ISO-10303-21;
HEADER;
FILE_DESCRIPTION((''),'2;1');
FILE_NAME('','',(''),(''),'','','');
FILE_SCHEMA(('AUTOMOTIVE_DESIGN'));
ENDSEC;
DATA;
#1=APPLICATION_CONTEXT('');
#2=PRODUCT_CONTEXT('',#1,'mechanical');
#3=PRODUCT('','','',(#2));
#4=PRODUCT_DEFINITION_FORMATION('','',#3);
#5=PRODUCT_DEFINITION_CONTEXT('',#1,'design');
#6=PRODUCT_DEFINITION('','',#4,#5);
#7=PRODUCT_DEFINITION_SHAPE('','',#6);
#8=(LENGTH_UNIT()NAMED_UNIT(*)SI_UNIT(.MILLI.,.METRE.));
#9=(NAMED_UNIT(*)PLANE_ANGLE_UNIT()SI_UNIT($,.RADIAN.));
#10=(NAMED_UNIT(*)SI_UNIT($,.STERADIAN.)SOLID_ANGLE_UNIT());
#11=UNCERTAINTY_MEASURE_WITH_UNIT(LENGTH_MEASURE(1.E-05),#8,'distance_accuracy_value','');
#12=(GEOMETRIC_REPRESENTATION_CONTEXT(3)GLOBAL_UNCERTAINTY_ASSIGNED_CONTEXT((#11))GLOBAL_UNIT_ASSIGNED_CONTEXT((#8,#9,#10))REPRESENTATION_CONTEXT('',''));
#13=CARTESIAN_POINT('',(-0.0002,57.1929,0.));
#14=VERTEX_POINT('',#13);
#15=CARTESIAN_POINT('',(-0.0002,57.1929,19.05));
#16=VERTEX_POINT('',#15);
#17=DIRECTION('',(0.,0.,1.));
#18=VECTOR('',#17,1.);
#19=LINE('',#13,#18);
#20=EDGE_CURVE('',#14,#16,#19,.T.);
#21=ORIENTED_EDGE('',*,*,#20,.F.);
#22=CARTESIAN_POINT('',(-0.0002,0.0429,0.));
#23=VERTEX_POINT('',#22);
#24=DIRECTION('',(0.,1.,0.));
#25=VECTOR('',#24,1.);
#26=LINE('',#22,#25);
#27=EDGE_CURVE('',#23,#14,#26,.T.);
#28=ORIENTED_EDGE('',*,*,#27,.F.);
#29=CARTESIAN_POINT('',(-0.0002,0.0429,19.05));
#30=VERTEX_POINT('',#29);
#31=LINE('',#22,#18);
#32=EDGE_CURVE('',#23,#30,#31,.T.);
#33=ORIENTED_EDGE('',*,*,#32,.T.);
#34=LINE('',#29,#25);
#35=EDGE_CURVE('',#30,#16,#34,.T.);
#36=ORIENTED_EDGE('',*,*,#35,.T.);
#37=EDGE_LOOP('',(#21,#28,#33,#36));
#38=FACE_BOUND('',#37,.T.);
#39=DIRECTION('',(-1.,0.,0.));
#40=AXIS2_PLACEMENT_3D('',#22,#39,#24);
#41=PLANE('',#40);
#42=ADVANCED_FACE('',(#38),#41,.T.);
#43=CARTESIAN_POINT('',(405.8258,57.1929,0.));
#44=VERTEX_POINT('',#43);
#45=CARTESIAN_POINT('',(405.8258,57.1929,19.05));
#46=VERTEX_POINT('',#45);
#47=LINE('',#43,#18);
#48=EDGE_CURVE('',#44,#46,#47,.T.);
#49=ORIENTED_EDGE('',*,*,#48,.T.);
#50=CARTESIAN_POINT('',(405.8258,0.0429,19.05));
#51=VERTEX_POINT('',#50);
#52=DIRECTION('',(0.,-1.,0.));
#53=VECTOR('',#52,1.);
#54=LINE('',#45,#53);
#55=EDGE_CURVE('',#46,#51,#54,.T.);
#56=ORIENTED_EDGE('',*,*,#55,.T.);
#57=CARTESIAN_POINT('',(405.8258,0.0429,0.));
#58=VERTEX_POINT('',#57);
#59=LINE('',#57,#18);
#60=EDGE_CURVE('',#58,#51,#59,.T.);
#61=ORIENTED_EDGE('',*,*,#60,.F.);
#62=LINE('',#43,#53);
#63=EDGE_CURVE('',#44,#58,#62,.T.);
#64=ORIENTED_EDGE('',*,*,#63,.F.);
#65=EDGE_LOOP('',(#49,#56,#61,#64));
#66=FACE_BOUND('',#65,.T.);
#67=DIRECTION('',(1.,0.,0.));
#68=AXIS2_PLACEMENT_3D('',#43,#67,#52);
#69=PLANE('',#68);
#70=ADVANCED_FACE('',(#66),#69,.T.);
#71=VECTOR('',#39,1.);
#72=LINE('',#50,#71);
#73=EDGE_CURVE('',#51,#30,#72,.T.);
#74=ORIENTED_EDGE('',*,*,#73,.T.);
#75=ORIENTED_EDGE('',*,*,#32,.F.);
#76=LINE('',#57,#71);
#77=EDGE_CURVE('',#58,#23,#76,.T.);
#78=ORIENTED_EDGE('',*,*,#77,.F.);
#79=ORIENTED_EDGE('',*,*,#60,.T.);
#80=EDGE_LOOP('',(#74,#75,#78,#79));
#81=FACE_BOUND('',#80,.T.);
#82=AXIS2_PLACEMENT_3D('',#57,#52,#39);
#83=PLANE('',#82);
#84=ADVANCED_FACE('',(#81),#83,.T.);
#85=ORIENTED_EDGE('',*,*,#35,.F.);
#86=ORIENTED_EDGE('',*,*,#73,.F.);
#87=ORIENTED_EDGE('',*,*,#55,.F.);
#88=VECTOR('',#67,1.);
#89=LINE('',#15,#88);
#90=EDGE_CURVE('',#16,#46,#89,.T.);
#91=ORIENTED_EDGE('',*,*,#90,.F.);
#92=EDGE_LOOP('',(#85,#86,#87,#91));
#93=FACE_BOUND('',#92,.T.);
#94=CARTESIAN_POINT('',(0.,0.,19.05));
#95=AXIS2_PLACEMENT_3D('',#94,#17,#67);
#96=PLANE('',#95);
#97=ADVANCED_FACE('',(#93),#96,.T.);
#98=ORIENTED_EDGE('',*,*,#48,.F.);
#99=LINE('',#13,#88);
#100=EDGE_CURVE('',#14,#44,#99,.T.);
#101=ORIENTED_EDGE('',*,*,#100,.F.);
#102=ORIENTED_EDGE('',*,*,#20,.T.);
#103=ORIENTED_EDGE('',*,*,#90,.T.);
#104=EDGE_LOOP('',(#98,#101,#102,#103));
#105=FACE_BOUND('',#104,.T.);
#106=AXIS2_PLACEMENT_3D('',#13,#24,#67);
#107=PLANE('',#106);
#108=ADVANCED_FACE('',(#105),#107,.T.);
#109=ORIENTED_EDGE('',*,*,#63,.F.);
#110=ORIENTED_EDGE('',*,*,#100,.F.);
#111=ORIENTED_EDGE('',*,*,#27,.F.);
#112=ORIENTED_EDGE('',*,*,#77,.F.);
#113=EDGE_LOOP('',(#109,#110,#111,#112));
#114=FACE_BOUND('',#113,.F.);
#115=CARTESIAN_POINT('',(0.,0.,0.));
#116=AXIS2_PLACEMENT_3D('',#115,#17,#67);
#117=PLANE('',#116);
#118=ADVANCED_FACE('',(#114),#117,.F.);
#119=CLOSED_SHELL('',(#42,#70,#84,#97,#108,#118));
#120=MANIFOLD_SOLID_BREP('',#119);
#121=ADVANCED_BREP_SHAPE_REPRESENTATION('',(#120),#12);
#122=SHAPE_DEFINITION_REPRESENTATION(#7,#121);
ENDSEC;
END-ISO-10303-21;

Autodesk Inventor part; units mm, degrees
ref_plane "YZ Plane" through (0, 0, 0) normal (1, 0, 0) x (0, 1, 0)
ref_plane "XZ Plane" through (0, 0, 0) normal (0, 1, 0) x (-1, 0, 0)
ref_plane "XY Plane" through (0, 0, 0) normal (0, 0, 1) x (1, 0, 0)
sketch "Sketch1" plane through (0, 0, 0) normal (0, 0, 1) x (1, 0, 0)
  line L0 (-0.0002, 0.0429) -> (-0.0002, 57.1929)
  line L1 (-0.0002, 57.1929) -> (405.8258, 57.1929)
  line L2 (405.8258, 57.1929) -> (405.8258, 0.0429)
  line L3 (405.8258, 0.0429) -> (-0.0002, 0.0429)
  point P0 (0, 0)
extrude "Extrusion1" add sketch "Sketch1" along normal blind 19.05
properties part number "nd-16"
